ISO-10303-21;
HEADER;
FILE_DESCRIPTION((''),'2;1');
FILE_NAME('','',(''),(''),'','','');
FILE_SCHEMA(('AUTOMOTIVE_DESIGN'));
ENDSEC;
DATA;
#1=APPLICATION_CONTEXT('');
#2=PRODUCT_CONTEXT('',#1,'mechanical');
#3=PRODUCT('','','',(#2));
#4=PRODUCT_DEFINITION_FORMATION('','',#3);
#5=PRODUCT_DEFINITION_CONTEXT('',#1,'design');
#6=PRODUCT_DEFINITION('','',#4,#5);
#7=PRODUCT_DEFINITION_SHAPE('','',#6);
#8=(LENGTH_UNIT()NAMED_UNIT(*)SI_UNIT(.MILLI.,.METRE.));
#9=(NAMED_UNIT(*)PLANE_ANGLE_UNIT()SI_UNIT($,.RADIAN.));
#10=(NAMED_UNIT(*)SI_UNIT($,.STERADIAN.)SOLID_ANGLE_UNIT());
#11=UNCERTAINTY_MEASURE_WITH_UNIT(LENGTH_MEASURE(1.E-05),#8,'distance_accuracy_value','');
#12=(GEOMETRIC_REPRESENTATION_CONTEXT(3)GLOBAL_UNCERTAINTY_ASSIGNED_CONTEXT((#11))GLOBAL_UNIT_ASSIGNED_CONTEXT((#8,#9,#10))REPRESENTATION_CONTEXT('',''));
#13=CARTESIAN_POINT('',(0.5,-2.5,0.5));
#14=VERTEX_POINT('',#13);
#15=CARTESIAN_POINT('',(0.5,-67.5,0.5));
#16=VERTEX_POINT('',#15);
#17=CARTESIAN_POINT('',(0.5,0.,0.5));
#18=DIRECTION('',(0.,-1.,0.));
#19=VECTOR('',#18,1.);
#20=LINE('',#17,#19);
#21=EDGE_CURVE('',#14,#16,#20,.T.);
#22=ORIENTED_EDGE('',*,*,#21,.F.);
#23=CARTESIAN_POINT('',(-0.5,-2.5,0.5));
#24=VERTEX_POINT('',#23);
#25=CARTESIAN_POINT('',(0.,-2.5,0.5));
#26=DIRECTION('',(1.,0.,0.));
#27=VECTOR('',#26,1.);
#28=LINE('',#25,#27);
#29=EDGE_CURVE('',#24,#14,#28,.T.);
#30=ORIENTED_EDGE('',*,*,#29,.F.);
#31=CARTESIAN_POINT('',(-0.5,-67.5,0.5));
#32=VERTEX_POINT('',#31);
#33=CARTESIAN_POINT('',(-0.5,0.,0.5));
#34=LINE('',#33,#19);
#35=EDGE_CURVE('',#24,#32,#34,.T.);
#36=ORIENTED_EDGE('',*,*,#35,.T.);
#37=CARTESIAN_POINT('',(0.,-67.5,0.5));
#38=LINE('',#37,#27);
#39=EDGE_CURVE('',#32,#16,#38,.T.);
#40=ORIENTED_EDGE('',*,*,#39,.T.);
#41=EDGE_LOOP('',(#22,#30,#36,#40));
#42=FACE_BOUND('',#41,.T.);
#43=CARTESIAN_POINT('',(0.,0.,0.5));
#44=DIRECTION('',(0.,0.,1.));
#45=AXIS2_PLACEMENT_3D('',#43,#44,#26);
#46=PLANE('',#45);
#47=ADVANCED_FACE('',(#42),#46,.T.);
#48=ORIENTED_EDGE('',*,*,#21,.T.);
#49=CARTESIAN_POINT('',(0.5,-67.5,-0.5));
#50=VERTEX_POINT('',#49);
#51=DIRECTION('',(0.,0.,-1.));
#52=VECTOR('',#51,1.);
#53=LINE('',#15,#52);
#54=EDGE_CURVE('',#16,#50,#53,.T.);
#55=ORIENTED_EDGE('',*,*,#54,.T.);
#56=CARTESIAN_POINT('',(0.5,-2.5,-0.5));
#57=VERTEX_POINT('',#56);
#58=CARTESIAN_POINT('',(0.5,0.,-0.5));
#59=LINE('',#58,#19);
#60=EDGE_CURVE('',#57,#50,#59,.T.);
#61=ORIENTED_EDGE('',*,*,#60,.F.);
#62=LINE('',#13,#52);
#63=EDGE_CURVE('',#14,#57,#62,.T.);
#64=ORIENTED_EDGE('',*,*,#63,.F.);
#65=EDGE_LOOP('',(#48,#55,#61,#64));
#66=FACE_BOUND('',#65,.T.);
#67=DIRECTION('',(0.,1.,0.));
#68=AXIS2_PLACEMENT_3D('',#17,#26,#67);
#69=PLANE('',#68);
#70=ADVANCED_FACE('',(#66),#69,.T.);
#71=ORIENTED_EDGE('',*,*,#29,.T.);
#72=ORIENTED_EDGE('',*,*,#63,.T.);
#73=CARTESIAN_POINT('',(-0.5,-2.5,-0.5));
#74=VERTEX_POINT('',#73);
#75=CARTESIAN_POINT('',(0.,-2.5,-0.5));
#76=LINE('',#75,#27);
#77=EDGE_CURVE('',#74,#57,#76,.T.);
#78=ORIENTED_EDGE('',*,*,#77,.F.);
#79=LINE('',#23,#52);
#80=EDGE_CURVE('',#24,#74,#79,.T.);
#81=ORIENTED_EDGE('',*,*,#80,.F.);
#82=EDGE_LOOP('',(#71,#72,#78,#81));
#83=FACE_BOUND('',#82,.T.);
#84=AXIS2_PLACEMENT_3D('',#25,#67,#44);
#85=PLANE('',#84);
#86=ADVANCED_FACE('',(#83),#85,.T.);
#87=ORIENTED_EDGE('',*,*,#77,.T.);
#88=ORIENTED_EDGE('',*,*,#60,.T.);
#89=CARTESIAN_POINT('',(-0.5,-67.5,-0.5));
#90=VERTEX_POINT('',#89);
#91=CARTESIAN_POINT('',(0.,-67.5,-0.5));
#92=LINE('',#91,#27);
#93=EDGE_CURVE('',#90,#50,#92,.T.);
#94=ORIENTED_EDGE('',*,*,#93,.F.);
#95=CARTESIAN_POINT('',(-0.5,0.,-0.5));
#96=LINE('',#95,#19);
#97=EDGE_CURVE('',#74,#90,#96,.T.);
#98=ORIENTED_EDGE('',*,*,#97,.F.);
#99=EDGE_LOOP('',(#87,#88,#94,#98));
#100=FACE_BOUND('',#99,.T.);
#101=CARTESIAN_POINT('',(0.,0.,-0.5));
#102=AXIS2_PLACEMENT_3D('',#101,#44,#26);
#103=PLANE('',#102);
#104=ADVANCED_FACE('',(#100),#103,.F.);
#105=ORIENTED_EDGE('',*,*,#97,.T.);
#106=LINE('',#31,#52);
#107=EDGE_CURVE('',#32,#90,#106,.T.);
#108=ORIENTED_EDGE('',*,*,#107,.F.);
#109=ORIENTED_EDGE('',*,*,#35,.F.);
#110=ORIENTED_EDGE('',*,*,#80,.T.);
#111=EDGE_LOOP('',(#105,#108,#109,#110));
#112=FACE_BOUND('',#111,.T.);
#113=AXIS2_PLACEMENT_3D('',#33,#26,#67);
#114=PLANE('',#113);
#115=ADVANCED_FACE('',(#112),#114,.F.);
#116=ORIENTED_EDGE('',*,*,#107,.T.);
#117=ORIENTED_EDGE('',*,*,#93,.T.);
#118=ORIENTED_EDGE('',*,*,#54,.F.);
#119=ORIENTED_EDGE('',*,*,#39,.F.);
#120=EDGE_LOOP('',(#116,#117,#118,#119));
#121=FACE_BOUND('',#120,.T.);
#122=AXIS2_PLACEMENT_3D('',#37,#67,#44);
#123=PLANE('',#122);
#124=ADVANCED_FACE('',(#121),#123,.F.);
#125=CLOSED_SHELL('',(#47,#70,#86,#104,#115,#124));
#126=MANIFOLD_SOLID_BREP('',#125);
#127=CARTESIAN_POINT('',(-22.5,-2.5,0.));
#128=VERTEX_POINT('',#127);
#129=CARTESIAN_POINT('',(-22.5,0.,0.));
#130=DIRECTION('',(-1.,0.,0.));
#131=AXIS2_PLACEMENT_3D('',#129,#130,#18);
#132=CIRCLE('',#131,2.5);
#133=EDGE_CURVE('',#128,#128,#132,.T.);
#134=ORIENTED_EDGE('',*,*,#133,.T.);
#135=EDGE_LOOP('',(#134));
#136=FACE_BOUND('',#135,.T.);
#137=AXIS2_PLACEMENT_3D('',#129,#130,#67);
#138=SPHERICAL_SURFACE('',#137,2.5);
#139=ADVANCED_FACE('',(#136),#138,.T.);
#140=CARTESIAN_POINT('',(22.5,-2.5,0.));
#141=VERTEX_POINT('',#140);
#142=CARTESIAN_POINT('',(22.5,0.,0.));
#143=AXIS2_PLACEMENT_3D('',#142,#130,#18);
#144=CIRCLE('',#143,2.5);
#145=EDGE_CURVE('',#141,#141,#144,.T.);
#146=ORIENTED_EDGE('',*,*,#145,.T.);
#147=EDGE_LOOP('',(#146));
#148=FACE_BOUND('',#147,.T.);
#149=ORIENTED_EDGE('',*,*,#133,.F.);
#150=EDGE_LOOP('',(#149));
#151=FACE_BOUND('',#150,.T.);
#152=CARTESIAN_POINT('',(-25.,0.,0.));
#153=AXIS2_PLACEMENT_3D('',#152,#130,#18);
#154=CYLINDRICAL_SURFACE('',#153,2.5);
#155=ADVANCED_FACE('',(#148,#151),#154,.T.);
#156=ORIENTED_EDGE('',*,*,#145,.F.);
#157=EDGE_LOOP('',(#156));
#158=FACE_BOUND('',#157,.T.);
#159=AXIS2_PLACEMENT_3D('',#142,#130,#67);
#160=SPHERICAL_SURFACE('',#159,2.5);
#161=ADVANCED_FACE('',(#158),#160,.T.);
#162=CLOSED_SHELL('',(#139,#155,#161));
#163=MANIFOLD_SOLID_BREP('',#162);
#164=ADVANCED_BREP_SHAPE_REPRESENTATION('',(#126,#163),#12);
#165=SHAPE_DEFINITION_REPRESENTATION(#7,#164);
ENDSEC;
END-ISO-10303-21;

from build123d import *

# Parameters (mm, degrees)
SKETCH1_4_W         = 1
SKETCH1_4_H         = 65
BOSS_EXTRUDE1_DEPTH = 0.5


with BuildPart() as part:
    # Sketch1 → Revolve1 (revolve)
    with BuildSketch(Plane.XY):
        with BuildLine():
            Line((22.5, 2.5), (-22.5, 2.5))
            ThreePointArc((-22.5, 2.5), (-24.267766953, 1.767766953), (-25, 0))
            Line((-25, 0), (25, 0))
            ThreePointArc((25, 0), (24.267766953, 1.767766953), (22.5, 2.5))
        make_face()
    revolve(axis=Axis((-25, 0, 0), (1, 0, 0)))


with BuildPart() as body_2:
    # Sketch1<4> → Boss-Extrude1 (new, symmetric)
    with BuildSketch(Plane.XY):
        with Locations((0, -35)):
            Rectangle(SKETCH1_4_W, SKETCH1_4_H)
    extrude(amount=BOSS_EXTRUDE1_DEPTH, both=True)


solid = Compound([part.part, body_2.part])
